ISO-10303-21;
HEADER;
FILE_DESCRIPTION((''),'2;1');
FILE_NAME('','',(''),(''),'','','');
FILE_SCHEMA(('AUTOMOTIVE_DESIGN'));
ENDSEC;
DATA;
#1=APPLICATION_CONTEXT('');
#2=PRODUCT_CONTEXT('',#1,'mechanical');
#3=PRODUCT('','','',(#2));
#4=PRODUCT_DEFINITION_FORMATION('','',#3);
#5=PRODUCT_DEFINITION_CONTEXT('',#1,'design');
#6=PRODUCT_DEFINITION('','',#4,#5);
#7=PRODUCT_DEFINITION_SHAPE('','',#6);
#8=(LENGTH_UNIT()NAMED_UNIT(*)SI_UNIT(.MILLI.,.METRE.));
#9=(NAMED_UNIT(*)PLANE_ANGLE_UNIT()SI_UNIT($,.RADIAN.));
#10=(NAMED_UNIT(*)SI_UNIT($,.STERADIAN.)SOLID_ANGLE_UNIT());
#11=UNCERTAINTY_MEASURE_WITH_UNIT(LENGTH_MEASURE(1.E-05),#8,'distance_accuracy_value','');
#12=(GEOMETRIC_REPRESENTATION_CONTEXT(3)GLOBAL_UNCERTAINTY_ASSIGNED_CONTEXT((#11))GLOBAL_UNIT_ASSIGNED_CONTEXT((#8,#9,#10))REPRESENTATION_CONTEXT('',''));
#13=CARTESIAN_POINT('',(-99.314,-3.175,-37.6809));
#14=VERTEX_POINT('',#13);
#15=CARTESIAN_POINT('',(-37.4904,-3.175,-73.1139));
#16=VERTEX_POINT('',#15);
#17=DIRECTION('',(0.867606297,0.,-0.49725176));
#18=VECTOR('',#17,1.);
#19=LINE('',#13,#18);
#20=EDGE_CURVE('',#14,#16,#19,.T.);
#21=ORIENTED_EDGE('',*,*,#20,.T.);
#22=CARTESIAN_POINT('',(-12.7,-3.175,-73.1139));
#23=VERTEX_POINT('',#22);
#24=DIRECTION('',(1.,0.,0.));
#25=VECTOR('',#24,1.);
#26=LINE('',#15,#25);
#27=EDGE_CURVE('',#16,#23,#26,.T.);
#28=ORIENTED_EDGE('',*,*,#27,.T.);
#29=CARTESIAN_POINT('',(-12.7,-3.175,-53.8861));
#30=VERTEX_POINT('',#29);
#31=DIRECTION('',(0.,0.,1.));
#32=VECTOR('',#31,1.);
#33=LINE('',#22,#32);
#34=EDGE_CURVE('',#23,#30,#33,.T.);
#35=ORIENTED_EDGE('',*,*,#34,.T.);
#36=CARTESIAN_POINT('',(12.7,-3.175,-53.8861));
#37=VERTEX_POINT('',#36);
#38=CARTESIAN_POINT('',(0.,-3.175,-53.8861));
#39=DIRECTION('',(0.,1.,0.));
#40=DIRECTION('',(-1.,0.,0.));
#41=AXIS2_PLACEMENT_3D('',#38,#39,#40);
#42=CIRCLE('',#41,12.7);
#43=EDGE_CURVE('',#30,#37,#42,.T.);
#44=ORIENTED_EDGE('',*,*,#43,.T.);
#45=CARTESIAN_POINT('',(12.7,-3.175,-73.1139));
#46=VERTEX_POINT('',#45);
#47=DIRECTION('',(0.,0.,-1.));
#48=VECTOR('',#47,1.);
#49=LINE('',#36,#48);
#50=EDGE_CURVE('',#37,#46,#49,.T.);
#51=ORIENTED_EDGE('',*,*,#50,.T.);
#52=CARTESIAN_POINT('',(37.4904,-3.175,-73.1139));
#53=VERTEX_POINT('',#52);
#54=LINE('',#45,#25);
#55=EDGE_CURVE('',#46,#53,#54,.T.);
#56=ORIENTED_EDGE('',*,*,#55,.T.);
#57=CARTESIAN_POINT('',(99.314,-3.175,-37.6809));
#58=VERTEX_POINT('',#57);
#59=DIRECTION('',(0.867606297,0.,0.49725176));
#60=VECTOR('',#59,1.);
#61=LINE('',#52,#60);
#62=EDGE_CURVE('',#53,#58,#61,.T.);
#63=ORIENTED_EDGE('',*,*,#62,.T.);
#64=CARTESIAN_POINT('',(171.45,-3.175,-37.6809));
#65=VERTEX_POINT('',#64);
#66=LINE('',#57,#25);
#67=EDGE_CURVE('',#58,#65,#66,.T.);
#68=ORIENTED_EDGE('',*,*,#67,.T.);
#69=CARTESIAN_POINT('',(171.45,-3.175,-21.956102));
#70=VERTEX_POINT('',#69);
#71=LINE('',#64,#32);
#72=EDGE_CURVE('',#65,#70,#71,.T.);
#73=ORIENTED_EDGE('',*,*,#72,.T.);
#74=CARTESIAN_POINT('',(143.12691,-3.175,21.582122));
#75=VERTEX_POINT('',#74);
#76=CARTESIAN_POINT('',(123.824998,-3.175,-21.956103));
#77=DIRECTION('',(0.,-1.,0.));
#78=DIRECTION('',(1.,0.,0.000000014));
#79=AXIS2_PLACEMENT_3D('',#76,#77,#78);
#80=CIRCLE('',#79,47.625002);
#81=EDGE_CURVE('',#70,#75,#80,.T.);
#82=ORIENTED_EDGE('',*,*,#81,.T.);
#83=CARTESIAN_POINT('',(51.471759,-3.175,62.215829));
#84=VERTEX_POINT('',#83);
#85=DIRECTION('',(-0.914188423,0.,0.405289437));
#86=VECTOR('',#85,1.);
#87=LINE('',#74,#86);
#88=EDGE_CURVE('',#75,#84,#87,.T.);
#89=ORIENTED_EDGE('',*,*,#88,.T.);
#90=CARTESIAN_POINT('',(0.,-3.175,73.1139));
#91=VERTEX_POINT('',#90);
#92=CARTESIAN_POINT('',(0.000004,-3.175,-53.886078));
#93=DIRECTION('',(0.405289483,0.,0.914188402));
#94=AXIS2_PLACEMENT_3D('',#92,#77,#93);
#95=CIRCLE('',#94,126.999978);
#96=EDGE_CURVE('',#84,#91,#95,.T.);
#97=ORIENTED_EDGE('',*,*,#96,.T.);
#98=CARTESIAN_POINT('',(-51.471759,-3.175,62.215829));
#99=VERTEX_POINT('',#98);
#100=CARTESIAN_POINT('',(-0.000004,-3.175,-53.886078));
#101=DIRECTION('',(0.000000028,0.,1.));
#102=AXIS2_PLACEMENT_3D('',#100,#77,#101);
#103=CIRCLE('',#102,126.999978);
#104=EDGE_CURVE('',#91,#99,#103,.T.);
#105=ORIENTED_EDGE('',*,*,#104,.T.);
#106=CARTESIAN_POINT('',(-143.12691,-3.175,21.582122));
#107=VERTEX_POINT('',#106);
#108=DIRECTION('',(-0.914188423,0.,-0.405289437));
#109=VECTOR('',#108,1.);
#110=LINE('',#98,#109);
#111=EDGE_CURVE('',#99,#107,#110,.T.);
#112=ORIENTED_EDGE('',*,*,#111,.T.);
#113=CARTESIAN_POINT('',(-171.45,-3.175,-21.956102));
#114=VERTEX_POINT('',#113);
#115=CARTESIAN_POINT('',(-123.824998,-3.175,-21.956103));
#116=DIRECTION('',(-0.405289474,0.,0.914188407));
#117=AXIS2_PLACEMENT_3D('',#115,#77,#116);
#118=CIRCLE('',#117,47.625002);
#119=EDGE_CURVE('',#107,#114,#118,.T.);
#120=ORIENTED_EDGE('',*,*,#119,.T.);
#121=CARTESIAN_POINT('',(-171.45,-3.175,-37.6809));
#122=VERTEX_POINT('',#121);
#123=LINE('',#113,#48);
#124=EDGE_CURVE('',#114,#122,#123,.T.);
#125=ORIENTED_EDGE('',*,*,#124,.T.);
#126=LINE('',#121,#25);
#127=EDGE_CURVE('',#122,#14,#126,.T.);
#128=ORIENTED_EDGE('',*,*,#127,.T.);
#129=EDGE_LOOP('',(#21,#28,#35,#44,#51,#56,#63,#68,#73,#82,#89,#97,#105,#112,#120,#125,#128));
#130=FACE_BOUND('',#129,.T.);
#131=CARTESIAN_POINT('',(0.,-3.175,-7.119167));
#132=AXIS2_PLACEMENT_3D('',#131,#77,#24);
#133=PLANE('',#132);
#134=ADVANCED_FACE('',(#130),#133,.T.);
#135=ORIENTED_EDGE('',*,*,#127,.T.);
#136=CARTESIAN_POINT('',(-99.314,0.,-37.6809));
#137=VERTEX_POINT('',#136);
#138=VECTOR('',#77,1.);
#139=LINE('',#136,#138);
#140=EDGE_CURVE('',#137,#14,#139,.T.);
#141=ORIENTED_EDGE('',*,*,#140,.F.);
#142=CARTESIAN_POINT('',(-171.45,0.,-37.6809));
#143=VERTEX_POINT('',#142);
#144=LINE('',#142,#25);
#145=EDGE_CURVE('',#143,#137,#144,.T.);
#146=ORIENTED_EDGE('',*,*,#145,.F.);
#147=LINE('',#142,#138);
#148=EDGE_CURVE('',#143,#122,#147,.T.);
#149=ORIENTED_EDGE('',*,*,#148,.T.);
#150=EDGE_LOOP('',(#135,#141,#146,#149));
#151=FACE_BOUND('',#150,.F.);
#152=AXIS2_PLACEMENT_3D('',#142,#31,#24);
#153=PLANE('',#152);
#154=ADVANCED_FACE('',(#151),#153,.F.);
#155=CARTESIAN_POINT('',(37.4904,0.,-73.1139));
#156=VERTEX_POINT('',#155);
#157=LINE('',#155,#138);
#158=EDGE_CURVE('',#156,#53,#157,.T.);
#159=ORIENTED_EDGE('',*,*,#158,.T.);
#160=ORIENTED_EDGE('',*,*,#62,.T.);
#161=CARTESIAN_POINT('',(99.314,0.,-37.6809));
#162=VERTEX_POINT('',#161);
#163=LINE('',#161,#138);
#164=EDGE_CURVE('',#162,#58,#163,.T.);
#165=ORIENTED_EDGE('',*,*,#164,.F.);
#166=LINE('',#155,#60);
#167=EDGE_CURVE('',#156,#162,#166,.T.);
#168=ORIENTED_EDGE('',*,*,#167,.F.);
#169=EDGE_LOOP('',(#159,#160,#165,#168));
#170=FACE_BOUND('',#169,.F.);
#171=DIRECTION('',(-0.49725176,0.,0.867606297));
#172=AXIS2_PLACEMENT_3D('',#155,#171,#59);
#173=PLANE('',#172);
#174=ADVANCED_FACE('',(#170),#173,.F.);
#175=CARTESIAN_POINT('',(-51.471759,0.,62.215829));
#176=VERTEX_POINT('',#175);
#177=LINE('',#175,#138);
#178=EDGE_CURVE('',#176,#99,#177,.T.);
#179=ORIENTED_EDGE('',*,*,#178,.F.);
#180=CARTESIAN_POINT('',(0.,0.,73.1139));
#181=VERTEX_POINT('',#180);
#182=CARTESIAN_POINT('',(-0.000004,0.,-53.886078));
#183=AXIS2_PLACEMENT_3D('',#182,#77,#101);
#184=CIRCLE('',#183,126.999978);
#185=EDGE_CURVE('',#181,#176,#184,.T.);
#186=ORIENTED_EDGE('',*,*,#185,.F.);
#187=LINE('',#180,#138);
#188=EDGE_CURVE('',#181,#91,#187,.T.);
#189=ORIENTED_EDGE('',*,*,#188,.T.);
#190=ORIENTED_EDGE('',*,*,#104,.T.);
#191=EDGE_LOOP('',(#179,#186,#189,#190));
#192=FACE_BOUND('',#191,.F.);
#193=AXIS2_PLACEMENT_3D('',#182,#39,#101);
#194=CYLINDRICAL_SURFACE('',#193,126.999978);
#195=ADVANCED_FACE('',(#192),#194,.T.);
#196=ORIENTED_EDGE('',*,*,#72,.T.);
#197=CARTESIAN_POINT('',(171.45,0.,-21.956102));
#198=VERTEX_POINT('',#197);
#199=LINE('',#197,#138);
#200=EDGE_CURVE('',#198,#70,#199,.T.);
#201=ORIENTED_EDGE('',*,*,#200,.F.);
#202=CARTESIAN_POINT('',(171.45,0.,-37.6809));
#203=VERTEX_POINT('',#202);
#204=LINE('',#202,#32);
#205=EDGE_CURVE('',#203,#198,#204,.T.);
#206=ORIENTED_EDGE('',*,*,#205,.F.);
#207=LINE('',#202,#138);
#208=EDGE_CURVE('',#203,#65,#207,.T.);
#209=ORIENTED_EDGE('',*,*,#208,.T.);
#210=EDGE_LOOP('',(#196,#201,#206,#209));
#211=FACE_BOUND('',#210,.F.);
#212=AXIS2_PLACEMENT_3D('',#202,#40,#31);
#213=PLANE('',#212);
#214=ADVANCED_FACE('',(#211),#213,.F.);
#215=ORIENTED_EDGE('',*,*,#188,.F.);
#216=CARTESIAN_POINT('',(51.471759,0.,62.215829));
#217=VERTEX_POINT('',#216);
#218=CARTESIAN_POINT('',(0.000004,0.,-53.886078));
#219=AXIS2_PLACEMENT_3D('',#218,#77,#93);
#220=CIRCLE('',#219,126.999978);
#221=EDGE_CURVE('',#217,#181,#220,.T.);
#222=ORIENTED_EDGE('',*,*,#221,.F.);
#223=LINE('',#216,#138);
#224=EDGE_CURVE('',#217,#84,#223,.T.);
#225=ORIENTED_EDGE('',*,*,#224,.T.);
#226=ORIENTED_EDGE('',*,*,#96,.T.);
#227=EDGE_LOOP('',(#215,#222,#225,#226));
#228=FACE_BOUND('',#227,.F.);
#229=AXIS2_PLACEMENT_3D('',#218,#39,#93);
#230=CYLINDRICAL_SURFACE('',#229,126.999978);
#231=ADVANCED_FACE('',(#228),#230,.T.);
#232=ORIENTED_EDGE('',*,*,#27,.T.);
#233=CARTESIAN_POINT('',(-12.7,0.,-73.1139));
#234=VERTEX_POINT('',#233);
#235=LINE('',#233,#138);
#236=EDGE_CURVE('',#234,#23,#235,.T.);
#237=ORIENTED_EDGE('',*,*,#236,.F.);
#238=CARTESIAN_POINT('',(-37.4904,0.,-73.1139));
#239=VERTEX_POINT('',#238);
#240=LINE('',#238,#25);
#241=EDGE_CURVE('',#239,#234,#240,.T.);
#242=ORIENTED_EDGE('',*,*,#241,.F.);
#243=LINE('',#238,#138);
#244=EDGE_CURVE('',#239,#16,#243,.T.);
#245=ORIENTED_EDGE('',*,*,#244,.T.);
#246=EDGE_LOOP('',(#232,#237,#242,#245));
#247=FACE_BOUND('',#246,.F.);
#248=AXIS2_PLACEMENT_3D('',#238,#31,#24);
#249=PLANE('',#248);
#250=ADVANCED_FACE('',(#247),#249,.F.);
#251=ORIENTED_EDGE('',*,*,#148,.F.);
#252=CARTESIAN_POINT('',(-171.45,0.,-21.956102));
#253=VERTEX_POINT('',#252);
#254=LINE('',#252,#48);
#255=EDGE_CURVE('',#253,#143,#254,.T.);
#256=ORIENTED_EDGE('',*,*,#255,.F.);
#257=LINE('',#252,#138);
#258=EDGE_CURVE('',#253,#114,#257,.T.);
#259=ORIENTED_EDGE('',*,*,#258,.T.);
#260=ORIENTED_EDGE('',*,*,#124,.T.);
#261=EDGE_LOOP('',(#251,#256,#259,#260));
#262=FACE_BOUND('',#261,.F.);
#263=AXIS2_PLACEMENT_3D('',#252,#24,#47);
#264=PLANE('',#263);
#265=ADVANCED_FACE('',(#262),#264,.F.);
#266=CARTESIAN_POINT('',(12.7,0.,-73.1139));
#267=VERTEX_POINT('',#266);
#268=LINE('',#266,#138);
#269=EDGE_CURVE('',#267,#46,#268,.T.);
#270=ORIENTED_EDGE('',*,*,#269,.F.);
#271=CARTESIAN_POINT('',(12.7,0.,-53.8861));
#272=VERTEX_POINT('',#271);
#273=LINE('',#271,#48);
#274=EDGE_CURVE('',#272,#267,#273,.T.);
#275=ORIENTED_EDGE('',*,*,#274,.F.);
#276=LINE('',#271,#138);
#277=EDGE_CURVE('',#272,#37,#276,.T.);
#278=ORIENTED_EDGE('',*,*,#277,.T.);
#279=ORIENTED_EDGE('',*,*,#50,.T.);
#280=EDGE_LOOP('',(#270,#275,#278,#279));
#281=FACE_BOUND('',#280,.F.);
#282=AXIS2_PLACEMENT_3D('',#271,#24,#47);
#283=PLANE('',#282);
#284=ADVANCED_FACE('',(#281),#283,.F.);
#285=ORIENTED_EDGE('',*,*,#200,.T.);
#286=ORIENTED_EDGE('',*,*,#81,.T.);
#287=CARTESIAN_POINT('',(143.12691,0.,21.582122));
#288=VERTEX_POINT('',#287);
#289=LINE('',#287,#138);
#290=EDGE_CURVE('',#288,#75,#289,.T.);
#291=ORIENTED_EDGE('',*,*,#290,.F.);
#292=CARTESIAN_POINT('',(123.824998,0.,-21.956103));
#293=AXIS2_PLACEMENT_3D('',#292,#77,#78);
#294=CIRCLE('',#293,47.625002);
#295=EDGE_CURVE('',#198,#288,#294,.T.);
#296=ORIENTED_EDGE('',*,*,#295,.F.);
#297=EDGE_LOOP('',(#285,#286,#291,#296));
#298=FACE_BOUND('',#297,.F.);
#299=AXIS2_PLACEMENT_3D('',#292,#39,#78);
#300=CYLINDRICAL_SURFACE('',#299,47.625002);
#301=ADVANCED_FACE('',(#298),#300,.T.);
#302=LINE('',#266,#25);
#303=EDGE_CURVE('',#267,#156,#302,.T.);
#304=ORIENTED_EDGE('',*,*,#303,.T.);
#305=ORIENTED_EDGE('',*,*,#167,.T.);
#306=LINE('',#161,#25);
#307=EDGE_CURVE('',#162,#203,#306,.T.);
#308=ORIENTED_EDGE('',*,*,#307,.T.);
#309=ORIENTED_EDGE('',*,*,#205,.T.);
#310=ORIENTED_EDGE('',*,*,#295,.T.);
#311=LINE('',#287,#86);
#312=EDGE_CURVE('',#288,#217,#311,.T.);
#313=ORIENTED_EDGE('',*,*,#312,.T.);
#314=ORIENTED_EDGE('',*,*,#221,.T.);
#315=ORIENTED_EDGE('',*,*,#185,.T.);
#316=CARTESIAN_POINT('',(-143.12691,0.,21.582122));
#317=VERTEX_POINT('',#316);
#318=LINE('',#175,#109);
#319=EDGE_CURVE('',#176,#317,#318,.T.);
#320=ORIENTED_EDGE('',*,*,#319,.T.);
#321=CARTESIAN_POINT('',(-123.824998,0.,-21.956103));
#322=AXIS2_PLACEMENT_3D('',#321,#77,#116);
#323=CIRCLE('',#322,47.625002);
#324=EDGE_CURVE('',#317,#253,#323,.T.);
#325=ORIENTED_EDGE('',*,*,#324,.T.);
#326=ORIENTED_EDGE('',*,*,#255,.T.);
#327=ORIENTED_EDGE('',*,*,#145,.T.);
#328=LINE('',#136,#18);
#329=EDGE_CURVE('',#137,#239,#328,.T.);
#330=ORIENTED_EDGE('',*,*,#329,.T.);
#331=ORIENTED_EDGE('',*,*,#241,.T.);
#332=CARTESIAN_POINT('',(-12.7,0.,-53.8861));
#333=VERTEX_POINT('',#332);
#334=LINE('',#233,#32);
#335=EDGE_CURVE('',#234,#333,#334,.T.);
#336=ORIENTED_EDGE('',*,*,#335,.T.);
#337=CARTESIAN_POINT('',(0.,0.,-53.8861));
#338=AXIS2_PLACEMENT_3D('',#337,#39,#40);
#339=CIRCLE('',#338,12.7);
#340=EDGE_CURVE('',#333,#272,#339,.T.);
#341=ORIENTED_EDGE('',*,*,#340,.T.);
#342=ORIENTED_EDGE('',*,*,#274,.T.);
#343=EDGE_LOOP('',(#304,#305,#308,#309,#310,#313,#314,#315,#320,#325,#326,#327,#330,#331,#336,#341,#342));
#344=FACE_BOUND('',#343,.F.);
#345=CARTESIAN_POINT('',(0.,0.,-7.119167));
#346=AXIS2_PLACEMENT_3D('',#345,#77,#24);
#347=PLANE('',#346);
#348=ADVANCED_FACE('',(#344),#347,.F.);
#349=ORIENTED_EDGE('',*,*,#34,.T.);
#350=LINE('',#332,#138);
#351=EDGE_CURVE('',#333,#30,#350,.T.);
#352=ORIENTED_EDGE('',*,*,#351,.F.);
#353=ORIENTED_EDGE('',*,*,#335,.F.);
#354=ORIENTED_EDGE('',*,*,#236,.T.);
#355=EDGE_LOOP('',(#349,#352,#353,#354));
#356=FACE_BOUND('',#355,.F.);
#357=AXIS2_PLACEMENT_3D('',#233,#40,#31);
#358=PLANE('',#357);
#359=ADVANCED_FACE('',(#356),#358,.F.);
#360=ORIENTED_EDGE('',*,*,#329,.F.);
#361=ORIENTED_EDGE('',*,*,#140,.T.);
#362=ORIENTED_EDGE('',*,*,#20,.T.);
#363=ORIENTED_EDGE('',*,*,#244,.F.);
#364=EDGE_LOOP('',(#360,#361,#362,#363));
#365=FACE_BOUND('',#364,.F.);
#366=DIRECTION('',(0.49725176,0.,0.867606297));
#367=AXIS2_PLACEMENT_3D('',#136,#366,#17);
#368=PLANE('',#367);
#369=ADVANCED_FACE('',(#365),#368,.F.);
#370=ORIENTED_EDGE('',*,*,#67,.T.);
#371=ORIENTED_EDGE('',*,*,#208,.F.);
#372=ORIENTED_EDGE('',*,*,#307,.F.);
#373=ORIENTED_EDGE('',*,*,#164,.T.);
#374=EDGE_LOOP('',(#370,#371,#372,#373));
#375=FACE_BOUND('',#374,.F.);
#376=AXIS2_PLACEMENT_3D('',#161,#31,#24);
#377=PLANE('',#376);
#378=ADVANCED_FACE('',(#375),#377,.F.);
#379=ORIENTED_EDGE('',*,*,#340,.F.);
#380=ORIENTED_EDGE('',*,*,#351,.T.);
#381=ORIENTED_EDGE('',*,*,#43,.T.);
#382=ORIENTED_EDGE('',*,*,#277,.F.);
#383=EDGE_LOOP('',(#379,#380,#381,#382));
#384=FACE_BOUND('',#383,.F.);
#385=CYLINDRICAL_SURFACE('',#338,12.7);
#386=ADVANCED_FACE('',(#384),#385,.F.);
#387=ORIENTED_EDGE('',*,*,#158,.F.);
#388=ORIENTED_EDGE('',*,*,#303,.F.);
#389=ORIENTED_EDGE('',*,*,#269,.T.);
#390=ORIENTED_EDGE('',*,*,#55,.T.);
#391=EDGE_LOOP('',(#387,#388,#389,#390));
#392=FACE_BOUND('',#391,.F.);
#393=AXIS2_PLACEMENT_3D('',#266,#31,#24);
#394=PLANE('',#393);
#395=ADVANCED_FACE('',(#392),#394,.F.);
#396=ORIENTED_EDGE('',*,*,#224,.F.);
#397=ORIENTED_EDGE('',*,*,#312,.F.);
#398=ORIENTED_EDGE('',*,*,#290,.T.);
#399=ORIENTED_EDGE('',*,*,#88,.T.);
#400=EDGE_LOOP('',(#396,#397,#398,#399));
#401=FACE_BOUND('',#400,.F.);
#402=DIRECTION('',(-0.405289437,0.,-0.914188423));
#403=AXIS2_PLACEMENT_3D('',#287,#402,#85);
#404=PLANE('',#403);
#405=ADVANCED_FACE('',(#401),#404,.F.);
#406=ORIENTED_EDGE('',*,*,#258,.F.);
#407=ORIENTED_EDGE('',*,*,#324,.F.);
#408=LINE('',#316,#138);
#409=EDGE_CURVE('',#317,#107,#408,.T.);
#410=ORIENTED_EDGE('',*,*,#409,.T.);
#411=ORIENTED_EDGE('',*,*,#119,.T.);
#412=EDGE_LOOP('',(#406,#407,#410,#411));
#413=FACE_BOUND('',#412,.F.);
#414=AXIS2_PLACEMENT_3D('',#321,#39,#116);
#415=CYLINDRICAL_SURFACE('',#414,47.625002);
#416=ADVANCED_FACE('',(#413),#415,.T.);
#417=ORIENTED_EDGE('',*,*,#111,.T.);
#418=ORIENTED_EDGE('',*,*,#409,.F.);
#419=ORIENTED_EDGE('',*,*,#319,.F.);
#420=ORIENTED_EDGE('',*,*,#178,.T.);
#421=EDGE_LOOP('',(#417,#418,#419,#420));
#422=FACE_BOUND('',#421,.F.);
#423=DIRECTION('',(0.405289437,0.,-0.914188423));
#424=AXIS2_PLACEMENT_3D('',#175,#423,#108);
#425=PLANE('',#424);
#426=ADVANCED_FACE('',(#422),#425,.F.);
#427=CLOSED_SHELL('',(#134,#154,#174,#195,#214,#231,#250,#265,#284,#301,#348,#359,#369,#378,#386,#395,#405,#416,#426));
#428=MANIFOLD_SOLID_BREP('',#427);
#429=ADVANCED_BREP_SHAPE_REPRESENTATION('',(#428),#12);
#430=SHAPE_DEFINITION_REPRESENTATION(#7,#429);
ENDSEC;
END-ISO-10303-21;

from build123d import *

# Parameters (mm, degrees)
F1_DEPTH = 3.175


with BuildPart() as f1:
    # F0 (on Front) → F1 (new body)
    with BuildSketch(Plane.XZ):
        with BuildLine():
            Line((171.45, -37.6809), (171.45, -21.956102))
            ThreePointArc((171.45, -21.956102), (163.746135, 4.01395), (143.12691, 21.582122))
            Line((143.12691, 21.582122), (51.471759, 62.215829))
            ThreePointArc((51.471759, 62.215829), (26.306415, 70.359514), (0, 73.1139))
            ThreePointArc((0, 73.1139), (-26.306415, 70.359514), (-51.471759, 62.215829))
            Line((-51.471759, 62.215829), (-143.12691, 21.582122))
            ThreePointArc((-143.12691, 21.582122), (-163.746135, 4.01395), (-171.45, -21.956102))
            Line((-171.45, -21.956102), (-171.45, -37.6809))
            Line((-171.45, -37.6809), (-99.314, -37.6809))
            Line((-99.314, -37.6809), (-37.4904, -73.1139))
            Line((-37.4904, -73.1139), (-12.7, -73.1139))
            Line((-12.7, -73.1139), (-12.7, -53.8861))
            ThreePointArc((-12.7, -53.8861), (0, -41.1861), (12.7, -53.8861))
            Line((12.7, -53.8861), (12.7, -73.1139))
            Line((12.7, -73.1139), (37.4904, -73.1139))
            Line((37.4904, -73.1139), (99.314, -37.6809))
            Line((99.314, -37.6809), (171.45, -37.6809))
        make_face()
    extrude(amount=F1_DEPTH)


solid = f1.part
